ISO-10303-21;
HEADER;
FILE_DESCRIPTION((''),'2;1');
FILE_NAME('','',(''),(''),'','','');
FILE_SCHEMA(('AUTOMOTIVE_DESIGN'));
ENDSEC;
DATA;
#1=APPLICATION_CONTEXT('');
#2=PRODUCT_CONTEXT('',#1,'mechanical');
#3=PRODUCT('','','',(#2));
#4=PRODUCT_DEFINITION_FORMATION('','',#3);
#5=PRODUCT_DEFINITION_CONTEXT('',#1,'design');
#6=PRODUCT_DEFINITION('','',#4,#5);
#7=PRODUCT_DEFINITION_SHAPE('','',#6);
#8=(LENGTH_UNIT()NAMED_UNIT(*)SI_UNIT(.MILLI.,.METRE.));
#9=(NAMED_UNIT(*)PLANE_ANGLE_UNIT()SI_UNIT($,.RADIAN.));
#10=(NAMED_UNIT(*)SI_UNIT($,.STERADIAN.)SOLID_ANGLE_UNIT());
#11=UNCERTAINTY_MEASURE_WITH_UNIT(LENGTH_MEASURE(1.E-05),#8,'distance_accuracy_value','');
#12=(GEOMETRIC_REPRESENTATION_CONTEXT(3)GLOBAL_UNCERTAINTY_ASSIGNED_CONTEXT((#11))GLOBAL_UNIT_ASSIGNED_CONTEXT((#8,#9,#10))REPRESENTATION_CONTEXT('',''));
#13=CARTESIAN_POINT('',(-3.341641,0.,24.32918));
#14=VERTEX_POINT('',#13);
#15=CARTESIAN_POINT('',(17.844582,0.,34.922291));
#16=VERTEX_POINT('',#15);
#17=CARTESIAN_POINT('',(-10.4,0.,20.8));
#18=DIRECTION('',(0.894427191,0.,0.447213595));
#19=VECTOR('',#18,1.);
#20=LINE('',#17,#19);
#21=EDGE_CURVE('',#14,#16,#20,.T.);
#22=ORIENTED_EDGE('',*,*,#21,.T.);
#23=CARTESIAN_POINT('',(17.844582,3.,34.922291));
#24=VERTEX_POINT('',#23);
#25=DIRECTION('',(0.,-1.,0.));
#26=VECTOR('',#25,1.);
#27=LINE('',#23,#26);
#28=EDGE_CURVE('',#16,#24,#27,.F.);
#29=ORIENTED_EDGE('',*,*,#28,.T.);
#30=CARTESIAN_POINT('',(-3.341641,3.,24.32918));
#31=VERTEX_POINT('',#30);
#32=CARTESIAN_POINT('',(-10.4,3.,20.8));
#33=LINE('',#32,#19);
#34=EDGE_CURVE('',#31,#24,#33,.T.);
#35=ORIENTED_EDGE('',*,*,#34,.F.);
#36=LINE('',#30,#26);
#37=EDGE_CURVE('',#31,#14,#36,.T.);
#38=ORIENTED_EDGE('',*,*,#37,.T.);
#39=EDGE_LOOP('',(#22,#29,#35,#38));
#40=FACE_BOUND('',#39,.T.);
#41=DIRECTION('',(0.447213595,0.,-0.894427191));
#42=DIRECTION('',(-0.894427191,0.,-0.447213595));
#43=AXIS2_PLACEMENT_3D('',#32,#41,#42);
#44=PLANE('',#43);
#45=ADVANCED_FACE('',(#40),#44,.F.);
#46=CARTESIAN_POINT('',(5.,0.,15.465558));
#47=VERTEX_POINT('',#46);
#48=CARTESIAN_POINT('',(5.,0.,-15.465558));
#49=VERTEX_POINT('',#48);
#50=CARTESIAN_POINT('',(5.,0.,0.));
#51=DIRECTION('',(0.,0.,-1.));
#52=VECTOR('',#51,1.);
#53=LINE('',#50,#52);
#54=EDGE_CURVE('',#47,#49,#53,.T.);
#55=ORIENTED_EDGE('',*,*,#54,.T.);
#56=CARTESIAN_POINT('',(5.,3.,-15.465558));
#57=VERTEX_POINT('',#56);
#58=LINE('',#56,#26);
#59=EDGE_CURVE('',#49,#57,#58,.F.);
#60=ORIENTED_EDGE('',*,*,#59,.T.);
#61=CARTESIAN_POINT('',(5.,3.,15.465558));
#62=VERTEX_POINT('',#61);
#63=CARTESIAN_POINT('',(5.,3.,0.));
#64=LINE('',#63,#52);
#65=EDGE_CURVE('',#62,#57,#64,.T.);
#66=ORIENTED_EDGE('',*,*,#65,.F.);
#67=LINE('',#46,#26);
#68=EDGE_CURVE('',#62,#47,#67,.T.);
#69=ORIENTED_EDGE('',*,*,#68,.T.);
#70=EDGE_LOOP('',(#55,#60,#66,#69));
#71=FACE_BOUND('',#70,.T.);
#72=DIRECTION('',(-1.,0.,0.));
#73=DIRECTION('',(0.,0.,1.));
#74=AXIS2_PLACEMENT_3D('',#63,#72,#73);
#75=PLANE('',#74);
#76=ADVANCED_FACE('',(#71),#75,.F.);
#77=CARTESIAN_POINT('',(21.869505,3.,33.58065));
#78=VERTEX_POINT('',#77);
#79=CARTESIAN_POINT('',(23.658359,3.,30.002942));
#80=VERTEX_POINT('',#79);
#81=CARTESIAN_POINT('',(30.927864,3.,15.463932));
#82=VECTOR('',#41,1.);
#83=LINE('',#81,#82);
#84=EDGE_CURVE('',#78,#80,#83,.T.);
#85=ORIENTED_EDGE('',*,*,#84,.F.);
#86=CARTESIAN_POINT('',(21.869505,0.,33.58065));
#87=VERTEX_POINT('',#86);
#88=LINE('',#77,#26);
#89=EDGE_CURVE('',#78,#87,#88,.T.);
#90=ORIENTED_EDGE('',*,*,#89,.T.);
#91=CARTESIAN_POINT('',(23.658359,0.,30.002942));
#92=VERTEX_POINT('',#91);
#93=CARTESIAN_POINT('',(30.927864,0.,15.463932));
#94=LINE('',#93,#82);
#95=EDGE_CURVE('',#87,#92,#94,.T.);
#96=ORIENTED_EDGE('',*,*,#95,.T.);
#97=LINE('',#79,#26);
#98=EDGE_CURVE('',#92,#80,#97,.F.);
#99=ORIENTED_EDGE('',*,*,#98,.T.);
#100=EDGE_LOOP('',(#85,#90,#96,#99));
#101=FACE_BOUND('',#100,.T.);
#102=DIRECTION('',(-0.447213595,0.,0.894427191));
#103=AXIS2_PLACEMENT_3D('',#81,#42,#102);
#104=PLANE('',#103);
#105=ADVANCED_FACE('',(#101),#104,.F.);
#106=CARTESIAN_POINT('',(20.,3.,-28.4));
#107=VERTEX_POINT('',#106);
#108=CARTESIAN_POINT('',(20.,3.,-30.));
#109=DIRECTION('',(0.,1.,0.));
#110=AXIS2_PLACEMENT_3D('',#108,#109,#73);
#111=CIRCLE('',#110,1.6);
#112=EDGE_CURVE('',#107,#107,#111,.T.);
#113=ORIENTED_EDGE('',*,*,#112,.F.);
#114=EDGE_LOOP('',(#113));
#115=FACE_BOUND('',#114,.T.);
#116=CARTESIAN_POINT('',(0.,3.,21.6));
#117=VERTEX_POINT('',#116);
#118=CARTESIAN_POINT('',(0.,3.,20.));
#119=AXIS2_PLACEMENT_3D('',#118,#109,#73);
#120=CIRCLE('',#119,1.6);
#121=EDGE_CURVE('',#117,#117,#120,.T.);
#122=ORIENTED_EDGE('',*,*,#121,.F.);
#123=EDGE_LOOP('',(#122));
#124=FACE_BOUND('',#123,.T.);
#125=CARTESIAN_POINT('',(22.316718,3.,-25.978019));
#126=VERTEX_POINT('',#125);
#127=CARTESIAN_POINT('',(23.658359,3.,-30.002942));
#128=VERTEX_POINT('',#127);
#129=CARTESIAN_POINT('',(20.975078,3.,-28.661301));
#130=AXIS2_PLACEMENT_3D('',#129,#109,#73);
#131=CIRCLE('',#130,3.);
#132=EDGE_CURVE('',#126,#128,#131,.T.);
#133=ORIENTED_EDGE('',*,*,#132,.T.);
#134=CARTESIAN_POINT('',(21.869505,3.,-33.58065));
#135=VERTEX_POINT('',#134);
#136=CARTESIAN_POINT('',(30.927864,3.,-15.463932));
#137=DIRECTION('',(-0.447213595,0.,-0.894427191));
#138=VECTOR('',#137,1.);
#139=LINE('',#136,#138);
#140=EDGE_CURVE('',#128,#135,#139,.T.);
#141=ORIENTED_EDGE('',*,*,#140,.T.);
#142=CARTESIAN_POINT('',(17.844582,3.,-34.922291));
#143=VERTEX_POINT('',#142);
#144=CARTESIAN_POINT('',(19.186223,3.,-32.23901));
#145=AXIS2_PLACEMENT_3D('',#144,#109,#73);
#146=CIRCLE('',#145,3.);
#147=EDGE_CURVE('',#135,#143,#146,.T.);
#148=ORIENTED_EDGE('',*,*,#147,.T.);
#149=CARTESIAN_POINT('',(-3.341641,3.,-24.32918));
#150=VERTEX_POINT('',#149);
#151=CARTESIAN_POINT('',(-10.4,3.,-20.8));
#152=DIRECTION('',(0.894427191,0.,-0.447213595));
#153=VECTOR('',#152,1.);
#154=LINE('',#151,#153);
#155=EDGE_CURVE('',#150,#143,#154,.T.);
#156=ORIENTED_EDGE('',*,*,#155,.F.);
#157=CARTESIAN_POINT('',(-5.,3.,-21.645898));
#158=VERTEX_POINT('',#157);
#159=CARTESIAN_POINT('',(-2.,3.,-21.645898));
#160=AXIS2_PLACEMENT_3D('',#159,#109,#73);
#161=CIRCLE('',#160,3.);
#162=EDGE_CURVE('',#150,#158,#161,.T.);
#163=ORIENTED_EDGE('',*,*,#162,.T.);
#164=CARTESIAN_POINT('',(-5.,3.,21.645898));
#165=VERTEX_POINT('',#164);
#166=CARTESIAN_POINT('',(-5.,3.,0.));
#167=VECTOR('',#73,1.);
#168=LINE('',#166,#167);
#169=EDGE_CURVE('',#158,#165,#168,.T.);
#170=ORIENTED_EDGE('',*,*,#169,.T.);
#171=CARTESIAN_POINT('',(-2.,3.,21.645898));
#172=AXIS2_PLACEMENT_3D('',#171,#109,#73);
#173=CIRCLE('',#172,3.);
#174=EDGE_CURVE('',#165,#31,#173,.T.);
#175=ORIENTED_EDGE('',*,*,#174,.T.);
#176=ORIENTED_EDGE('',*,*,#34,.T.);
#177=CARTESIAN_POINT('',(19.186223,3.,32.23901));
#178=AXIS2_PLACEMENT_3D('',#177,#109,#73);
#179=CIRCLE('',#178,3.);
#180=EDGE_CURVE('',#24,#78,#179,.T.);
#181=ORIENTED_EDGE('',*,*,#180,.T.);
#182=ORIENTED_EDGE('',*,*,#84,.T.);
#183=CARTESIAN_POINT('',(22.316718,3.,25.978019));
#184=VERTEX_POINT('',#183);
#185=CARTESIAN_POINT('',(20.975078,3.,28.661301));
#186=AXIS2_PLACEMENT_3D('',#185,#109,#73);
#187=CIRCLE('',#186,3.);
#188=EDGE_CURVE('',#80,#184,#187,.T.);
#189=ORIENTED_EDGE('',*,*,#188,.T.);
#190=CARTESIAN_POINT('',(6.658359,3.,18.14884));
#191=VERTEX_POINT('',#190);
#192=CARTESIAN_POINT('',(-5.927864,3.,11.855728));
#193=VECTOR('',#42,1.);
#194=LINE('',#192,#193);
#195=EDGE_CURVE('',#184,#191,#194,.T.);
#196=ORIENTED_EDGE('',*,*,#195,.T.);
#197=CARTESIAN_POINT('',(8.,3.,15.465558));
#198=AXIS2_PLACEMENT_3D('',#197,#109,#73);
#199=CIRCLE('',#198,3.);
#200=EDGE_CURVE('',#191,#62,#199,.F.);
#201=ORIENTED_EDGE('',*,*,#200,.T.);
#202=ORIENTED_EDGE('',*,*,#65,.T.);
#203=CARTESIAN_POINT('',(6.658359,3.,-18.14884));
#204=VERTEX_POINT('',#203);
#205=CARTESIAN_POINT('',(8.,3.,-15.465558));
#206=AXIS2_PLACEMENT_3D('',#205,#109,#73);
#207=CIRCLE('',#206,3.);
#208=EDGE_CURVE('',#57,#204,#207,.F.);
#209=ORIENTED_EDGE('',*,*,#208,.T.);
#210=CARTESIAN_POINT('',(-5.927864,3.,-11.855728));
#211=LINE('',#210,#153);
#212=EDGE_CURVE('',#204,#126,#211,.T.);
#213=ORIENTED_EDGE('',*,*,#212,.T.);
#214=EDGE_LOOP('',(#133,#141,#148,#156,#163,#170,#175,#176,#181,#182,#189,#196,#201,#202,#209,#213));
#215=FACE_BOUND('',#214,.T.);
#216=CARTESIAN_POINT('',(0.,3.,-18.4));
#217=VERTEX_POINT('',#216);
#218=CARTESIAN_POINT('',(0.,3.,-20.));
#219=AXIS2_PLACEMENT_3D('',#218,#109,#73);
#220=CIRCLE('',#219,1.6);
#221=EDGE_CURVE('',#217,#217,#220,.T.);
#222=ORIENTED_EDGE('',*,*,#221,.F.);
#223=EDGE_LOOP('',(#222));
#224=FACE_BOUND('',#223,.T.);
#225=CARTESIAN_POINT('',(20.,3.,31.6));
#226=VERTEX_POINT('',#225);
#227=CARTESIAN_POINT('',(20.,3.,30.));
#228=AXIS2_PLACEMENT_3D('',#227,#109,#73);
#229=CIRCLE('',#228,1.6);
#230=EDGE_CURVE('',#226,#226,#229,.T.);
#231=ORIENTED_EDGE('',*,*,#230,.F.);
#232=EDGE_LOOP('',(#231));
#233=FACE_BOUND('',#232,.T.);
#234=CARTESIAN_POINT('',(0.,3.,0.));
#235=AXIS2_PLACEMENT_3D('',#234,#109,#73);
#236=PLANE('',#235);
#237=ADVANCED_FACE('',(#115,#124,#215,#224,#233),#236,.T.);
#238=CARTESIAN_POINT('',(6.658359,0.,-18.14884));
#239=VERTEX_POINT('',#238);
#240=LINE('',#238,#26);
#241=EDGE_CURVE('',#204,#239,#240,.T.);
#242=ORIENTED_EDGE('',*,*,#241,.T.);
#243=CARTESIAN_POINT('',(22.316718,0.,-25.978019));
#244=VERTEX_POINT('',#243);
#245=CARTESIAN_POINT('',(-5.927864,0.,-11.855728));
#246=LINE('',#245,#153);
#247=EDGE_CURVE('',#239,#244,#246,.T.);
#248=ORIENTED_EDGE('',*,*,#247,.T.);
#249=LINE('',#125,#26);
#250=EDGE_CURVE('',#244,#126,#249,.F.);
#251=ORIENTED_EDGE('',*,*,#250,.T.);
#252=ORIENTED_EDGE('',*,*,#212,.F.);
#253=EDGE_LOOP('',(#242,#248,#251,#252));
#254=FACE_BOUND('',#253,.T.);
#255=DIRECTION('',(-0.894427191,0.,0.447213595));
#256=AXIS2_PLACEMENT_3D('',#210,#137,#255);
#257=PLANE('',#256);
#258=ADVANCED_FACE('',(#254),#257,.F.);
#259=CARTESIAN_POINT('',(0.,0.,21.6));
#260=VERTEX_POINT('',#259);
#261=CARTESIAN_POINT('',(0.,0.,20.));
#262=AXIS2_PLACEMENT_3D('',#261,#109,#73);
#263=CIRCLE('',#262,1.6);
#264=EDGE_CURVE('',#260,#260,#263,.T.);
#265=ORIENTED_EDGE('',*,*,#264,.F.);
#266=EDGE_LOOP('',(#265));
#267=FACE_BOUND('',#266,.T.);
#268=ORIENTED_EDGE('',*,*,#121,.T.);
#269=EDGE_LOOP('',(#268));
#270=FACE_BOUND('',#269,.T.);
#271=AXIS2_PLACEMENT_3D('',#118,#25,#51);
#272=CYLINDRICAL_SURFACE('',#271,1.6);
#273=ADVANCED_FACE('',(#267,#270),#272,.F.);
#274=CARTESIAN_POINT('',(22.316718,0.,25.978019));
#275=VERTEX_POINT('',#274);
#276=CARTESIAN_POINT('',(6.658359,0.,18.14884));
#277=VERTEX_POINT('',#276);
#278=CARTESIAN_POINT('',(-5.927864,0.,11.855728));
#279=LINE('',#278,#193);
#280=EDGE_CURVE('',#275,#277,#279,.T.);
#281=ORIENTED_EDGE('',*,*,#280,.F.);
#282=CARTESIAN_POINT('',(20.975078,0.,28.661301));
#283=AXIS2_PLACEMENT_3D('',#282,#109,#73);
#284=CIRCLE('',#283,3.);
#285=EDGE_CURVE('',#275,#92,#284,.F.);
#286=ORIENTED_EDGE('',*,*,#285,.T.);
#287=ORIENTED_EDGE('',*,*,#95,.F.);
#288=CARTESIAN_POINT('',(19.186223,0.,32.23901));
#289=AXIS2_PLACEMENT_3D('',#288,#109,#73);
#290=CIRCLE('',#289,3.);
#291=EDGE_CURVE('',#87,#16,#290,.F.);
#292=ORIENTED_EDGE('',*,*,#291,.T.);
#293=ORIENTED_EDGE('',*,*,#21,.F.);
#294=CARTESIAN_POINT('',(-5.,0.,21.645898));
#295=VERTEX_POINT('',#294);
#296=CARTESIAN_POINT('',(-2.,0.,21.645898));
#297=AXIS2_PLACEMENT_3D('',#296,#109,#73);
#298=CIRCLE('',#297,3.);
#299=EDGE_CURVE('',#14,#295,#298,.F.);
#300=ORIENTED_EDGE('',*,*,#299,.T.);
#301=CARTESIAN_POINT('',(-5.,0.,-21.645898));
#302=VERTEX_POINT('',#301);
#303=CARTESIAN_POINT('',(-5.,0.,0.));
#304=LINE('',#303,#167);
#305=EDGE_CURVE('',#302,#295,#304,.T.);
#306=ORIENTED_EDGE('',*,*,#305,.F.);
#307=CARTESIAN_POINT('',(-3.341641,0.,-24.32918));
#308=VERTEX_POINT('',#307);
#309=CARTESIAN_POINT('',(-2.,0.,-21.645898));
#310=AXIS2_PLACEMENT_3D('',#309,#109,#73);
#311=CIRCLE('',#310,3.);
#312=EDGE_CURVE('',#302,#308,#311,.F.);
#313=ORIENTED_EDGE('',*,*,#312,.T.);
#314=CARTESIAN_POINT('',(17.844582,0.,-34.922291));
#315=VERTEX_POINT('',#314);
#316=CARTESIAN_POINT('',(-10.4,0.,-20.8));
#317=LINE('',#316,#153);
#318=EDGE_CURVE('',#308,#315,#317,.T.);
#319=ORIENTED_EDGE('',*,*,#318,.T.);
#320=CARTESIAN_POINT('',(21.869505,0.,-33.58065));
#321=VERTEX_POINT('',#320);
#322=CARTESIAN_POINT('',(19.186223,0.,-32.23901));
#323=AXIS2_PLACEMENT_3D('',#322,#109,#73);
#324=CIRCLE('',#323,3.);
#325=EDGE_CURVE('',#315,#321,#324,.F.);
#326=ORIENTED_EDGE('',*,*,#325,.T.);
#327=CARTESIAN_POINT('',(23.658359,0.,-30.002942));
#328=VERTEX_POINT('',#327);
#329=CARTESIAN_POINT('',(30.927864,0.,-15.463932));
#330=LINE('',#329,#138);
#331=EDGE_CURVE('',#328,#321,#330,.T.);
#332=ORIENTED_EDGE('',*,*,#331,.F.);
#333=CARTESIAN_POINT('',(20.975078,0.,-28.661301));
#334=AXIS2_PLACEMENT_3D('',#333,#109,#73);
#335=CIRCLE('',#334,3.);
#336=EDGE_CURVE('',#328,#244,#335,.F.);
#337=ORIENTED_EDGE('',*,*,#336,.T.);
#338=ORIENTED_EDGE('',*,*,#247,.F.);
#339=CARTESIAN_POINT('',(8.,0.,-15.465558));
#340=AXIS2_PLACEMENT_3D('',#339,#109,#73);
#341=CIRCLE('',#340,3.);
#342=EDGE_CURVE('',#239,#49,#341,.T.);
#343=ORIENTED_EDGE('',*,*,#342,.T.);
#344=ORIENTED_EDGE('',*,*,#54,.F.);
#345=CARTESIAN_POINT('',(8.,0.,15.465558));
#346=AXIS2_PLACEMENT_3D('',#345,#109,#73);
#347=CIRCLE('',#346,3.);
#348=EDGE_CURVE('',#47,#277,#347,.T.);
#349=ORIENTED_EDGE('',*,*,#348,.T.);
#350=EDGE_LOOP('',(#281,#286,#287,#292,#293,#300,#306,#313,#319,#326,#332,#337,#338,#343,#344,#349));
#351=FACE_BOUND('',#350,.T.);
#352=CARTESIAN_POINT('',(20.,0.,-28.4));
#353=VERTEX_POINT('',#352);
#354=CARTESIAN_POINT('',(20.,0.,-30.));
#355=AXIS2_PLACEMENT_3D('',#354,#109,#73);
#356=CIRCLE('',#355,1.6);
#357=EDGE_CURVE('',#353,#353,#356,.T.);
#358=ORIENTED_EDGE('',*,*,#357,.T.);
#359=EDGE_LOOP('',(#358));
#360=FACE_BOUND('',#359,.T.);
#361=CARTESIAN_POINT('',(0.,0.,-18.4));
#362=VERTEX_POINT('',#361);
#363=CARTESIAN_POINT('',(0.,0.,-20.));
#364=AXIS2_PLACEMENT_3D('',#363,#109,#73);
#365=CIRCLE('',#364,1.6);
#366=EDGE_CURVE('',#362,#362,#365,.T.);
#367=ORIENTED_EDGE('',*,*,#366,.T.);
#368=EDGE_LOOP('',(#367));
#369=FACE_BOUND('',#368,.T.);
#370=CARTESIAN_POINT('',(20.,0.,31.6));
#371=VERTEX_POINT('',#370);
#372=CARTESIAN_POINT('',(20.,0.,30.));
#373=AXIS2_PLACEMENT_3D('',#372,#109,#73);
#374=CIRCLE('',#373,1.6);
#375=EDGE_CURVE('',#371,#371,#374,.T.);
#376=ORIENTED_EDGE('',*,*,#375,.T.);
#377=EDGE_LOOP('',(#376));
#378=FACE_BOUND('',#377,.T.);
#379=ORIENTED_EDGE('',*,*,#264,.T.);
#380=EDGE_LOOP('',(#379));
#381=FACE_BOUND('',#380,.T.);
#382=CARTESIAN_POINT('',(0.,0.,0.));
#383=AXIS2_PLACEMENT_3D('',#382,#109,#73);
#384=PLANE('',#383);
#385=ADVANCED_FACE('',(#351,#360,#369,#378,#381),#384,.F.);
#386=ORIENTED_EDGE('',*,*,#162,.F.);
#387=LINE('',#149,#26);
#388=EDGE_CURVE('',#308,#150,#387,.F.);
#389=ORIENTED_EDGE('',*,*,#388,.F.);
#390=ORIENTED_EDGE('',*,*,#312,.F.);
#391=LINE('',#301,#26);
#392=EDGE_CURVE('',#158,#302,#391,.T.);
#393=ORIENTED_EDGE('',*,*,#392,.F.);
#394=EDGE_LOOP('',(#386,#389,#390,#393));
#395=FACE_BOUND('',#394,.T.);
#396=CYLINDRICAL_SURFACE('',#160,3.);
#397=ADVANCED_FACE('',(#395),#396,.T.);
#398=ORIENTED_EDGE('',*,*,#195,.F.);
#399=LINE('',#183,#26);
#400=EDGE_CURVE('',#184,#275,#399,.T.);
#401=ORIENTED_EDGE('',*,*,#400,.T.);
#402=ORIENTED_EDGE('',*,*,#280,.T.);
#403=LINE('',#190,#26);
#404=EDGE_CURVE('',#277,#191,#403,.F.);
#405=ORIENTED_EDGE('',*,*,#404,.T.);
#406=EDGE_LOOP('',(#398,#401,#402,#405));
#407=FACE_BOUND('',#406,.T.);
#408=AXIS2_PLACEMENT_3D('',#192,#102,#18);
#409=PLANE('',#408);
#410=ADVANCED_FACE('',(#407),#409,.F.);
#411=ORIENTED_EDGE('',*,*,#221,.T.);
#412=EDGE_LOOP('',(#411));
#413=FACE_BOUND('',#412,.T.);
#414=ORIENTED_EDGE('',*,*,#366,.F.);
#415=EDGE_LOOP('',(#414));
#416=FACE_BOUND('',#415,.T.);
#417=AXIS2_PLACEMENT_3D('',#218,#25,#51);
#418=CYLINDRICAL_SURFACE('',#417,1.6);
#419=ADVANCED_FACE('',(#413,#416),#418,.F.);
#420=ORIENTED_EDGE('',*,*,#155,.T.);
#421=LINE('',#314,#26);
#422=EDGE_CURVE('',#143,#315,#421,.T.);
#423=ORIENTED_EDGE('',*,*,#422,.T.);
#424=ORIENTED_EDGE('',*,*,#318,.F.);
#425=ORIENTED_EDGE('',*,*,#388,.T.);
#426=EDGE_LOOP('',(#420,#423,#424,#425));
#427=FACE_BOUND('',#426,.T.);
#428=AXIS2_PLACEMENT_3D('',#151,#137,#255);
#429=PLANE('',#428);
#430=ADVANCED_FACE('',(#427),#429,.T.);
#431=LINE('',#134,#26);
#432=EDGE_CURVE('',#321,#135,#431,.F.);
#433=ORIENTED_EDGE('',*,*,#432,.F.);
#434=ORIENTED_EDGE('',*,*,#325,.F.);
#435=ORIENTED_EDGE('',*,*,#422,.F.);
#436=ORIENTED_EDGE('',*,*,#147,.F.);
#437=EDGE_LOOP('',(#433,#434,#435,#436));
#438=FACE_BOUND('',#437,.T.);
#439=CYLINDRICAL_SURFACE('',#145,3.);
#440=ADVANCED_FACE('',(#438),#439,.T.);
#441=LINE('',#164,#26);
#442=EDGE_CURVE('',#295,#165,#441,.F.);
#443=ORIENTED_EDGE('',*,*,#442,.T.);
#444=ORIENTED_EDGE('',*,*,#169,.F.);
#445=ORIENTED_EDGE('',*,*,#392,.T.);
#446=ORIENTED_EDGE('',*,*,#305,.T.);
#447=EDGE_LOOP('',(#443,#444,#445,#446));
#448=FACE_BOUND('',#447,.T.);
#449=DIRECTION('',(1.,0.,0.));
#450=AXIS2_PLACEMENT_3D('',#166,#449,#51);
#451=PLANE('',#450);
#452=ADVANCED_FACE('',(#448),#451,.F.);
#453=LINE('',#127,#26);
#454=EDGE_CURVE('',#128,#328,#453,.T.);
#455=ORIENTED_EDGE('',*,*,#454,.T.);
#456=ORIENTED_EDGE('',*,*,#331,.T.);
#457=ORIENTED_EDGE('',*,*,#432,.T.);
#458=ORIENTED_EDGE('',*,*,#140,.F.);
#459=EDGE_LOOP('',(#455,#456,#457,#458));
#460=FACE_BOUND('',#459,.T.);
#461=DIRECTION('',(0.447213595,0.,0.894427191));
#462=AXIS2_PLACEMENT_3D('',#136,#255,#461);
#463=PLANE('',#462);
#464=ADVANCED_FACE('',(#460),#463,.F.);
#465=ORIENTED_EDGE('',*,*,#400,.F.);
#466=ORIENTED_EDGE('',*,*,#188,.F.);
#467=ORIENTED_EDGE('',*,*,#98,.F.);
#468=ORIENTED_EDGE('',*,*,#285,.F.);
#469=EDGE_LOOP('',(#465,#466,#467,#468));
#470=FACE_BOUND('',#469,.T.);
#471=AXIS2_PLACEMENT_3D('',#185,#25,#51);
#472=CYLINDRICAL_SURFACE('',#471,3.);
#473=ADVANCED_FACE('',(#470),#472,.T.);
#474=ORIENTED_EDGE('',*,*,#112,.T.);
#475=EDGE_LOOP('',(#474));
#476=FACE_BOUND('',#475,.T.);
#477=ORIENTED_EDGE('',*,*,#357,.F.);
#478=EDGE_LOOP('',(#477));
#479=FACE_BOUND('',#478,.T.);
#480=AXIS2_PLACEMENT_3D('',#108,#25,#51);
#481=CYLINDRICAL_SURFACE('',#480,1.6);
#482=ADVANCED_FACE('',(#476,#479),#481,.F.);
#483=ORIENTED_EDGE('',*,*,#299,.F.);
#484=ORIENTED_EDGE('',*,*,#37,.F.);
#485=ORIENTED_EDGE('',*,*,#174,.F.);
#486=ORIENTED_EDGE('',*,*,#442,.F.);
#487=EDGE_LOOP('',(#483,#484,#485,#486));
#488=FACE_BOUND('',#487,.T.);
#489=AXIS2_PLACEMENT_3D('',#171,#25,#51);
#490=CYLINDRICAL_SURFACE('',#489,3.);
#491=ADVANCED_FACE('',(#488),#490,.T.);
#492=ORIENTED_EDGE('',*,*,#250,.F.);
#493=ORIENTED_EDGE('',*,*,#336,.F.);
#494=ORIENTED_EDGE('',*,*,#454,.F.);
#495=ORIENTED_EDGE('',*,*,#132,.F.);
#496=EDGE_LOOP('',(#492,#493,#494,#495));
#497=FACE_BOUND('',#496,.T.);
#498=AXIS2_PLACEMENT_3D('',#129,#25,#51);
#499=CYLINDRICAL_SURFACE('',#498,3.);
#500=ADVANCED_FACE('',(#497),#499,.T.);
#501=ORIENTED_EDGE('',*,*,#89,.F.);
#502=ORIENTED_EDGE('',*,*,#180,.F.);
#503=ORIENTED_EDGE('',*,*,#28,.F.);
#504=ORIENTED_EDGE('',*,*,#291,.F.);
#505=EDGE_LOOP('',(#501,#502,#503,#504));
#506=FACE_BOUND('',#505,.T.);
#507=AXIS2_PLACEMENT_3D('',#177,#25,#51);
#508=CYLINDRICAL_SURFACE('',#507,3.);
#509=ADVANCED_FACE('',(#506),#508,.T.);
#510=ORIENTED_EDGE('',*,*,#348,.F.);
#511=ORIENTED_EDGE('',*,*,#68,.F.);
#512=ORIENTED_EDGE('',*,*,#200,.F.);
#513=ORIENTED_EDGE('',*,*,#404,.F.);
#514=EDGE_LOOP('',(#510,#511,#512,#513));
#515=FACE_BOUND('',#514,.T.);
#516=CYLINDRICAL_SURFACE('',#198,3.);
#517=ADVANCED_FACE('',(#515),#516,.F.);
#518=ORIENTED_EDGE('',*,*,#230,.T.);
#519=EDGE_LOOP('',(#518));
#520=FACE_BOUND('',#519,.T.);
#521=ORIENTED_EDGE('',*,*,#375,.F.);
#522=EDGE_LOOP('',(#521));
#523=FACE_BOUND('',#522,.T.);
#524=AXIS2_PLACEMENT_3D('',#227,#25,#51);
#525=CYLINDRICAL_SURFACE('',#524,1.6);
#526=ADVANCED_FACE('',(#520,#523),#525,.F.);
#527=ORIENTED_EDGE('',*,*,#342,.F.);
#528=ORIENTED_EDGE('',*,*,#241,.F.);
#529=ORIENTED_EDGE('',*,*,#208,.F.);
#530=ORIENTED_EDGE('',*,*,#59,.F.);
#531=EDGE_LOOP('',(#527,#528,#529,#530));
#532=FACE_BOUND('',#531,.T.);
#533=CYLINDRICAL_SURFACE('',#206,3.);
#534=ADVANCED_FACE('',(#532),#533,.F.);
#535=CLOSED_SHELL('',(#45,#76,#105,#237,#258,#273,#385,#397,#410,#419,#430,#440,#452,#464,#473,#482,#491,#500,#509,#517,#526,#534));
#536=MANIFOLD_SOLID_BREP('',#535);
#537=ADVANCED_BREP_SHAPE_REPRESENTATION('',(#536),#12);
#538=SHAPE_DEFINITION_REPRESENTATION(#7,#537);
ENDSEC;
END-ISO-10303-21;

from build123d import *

# Parameters (mm, degrees)
CROQUIS1_R              = 1.6
SALIENTE_EXTRUIR1_DEPTH = 3
REDONDEO1_R             = 3


with BuildPart() as part:
    # Croquis1 → Saliente-Extruir1 (new body)
    with BuildSketch(Plane(origin=(0, 0, 0), x_dir=(1, 0, 0), z_dir=(0, 1, 0))):
        Polygon((-5, 23.5), (-5, -23.5), (20.527864045, -36.263932023), (25, -27.319660113), (5, -17.319660113), (5, 17.319660113), (25, 27.319660113), (20.527864045, 36.263932023), align=None)
        with Locations(Location((0, 20, 0), (0, 0, 270))):
            Circle(CROQUIS1_R, mode=Mode.SUBTRACT)
        with Locations(Location((0, -20, 0), (0, 0, 270))):
            Circle(CROQUIS1_R, mode=Mode.SUBTRACT)
        with Locations(Location((20, 30, 0), (0, 0, 270))):
            Circle(CROQUIS1_R, mode=Mode.SUBTRACT)
        with Locations(Location((20, -30, 0), (0, 0, 270))):
            Circle(CROQUIS1_R, mode=Mode.SUBTRACT)
    extrude(amount=SALIENTE_EXTRUIR1_DEPTH)

    # Redondeo1
    redondeo1_edges = [part.edges().sort_by_distance(p)[0] for p in [
        (25, 1.5, 27.319660113),
        (20.527864045, 1.5, 36.263932023),
        (-5, 1.5, 23.5),
        (-5, 1.5, -23.5),
        (20.527864045, 1.5, -36.263932023),
        (25, 1.5, -27.319660113),
        (5, 1.5, -17.319660113),
        (5, 1.5, 17.319660113),
    ]]
    fillet(redondeo1_edges, radius=REDONDEO1_R)


solid = part.part
